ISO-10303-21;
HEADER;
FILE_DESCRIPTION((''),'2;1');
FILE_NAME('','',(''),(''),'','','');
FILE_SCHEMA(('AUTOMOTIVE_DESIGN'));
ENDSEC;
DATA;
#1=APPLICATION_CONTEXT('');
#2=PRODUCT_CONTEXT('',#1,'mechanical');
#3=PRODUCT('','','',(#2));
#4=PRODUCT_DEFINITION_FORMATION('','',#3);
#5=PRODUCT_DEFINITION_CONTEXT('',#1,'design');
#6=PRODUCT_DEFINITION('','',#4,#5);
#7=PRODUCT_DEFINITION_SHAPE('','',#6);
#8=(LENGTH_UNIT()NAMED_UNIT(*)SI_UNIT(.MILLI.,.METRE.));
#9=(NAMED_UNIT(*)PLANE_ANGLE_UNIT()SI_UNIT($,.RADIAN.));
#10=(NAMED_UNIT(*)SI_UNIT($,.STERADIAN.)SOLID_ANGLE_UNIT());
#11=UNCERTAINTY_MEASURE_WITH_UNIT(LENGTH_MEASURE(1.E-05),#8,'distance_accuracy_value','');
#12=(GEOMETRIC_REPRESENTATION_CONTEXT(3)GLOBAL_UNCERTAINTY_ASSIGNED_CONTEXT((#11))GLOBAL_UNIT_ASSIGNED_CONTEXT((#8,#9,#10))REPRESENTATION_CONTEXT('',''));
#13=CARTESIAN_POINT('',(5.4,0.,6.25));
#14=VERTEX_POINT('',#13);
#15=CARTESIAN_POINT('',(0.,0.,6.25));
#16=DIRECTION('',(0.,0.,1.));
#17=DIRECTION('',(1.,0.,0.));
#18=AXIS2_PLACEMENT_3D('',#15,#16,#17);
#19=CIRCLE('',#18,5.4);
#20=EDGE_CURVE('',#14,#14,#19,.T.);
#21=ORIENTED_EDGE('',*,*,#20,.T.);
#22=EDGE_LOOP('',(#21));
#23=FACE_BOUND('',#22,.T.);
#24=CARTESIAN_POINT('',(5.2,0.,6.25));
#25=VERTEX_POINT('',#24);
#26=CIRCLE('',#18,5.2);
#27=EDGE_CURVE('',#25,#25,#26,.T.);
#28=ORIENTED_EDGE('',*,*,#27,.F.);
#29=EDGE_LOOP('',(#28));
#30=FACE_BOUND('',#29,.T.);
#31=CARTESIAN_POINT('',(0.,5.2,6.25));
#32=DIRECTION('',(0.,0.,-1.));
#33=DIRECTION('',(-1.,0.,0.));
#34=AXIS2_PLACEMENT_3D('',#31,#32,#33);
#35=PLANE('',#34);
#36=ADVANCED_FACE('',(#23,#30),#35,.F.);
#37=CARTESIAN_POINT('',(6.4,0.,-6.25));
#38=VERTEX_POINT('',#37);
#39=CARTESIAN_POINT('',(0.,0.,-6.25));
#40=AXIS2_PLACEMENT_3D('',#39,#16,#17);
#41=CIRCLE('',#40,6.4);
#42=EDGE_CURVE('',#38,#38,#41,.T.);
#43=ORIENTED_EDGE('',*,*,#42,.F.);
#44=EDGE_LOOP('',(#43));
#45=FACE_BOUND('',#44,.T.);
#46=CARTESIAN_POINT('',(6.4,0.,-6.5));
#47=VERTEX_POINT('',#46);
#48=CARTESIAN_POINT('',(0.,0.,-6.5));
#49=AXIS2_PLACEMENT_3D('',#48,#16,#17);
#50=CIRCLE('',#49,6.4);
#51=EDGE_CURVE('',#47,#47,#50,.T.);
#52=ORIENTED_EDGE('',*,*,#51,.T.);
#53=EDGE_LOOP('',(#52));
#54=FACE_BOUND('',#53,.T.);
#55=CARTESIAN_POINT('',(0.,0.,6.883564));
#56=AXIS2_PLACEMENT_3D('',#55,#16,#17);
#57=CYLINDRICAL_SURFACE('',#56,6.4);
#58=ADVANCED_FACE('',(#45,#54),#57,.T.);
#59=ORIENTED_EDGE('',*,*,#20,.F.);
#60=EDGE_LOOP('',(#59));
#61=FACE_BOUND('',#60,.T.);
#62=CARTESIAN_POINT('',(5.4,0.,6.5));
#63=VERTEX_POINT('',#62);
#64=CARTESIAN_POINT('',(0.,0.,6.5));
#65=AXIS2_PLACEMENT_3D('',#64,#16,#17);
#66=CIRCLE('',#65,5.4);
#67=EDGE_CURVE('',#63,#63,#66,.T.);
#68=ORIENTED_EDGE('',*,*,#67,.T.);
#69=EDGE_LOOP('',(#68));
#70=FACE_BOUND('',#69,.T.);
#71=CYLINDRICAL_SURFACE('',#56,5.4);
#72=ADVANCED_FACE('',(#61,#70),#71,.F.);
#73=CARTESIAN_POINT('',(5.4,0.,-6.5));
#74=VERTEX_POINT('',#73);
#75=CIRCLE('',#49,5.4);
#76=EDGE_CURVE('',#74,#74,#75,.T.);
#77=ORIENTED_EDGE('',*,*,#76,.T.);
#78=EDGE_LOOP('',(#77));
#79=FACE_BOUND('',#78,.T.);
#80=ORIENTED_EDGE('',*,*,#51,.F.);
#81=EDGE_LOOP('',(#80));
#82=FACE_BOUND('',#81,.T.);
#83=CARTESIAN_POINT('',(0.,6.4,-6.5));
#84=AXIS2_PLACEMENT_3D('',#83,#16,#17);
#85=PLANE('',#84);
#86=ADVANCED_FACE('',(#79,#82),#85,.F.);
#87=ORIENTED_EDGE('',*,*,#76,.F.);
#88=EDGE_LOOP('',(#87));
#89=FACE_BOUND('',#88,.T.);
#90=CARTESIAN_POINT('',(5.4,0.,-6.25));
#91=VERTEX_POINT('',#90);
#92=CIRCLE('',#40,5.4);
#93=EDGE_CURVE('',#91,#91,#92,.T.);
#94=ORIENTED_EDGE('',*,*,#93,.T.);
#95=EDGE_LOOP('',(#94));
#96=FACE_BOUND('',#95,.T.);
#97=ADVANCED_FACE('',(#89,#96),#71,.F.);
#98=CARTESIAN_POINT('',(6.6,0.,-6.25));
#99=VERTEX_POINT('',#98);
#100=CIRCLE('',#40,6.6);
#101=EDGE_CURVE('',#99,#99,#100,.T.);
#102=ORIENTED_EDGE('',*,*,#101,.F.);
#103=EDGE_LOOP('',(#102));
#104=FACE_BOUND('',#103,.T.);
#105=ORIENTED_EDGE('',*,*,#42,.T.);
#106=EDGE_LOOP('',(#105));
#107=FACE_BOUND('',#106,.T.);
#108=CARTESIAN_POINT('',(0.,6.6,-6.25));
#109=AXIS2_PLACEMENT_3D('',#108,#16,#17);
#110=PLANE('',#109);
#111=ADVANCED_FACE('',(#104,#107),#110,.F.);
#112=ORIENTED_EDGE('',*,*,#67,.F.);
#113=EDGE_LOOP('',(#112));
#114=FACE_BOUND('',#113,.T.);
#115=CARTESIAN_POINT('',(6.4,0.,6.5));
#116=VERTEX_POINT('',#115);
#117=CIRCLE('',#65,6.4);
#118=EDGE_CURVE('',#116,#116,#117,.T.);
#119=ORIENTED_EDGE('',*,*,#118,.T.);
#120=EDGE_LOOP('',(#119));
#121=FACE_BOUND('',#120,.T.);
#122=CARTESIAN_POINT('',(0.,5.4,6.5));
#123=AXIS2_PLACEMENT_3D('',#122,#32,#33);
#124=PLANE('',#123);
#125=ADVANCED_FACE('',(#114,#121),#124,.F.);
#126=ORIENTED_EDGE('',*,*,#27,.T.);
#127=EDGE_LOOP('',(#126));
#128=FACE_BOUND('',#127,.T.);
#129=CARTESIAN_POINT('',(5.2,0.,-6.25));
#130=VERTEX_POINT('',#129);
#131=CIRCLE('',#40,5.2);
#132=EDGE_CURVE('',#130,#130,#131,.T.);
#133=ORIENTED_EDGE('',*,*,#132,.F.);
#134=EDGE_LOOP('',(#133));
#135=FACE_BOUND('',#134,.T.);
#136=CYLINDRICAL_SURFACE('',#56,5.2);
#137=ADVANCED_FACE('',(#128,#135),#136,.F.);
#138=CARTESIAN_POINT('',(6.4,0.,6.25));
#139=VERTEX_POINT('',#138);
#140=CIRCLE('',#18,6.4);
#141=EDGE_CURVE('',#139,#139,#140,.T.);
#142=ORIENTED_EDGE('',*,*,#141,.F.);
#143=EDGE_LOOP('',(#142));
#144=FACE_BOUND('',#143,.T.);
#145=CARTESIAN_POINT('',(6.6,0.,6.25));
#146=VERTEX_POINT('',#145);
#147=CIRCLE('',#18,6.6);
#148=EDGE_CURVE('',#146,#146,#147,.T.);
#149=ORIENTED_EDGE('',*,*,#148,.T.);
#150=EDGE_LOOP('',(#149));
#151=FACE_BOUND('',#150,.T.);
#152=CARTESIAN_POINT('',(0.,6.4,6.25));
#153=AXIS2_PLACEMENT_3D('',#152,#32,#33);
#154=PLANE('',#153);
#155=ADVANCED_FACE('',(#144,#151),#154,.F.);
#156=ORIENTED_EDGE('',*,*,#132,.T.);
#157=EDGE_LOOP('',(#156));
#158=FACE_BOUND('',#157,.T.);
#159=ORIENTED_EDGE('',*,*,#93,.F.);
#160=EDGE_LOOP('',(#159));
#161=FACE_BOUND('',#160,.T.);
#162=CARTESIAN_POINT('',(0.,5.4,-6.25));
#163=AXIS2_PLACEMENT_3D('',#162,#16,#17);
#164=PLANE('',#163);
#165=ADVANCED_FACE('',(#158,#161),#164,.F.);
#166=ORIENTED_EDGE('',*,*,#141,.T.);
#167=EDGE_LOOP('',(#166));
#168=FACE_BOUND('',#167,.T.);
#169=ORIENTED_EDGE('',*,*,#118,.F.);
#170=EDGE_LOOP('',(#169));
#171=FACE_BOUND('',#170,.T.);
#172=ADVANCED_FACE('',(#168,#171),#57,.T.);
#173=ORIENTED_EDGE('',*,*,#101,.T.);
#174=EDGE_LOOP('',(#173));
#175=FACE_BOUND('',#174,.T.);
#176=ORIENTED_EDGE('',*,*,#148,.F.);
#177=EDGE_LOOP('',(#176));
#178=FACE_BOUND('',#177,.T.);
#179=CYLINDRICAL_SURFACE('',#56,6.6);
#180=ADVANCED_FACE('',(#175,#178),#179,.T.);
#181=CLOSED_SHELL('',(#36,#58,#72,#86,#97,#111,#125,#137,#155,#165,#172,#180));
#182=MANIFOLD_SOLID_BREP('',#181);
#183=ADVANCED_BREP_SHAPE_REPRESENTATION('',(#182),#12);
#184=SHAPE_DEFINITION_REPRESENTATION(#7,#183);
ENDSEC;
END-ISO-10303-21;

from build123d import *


with BuildPart() as part:
    # Esquisse2 → Révolution1 (revolve)
    with BuildSketch(Plane(origin=(0, 0, 0), x_dir=(0, 0, -1), z_dir=(1, 0, 0)), mode=Mode.PRIVATE) as r_volution1_sk:
        Polygon((-6.5, 6.4), (-6.25, 6.4), (-6.25, 6.6), (6.25, 6.6), (6.25, 6.4), (6.5, 6.4), (6.5, 5.4), (6.25, 5.4), (6.25, 5.2), (-6.25, 5.2), (-6.25, 5.4), (-6.5, 5.4), align=None)
    revolve(r_volution1_sk.sketch.rotate(Axis((0, 0, 6.88356419), (0, 0, -1)), 90), axis=Axis((0, 0, 6.88356419), (0, 0, -1)))


solid = part.part
